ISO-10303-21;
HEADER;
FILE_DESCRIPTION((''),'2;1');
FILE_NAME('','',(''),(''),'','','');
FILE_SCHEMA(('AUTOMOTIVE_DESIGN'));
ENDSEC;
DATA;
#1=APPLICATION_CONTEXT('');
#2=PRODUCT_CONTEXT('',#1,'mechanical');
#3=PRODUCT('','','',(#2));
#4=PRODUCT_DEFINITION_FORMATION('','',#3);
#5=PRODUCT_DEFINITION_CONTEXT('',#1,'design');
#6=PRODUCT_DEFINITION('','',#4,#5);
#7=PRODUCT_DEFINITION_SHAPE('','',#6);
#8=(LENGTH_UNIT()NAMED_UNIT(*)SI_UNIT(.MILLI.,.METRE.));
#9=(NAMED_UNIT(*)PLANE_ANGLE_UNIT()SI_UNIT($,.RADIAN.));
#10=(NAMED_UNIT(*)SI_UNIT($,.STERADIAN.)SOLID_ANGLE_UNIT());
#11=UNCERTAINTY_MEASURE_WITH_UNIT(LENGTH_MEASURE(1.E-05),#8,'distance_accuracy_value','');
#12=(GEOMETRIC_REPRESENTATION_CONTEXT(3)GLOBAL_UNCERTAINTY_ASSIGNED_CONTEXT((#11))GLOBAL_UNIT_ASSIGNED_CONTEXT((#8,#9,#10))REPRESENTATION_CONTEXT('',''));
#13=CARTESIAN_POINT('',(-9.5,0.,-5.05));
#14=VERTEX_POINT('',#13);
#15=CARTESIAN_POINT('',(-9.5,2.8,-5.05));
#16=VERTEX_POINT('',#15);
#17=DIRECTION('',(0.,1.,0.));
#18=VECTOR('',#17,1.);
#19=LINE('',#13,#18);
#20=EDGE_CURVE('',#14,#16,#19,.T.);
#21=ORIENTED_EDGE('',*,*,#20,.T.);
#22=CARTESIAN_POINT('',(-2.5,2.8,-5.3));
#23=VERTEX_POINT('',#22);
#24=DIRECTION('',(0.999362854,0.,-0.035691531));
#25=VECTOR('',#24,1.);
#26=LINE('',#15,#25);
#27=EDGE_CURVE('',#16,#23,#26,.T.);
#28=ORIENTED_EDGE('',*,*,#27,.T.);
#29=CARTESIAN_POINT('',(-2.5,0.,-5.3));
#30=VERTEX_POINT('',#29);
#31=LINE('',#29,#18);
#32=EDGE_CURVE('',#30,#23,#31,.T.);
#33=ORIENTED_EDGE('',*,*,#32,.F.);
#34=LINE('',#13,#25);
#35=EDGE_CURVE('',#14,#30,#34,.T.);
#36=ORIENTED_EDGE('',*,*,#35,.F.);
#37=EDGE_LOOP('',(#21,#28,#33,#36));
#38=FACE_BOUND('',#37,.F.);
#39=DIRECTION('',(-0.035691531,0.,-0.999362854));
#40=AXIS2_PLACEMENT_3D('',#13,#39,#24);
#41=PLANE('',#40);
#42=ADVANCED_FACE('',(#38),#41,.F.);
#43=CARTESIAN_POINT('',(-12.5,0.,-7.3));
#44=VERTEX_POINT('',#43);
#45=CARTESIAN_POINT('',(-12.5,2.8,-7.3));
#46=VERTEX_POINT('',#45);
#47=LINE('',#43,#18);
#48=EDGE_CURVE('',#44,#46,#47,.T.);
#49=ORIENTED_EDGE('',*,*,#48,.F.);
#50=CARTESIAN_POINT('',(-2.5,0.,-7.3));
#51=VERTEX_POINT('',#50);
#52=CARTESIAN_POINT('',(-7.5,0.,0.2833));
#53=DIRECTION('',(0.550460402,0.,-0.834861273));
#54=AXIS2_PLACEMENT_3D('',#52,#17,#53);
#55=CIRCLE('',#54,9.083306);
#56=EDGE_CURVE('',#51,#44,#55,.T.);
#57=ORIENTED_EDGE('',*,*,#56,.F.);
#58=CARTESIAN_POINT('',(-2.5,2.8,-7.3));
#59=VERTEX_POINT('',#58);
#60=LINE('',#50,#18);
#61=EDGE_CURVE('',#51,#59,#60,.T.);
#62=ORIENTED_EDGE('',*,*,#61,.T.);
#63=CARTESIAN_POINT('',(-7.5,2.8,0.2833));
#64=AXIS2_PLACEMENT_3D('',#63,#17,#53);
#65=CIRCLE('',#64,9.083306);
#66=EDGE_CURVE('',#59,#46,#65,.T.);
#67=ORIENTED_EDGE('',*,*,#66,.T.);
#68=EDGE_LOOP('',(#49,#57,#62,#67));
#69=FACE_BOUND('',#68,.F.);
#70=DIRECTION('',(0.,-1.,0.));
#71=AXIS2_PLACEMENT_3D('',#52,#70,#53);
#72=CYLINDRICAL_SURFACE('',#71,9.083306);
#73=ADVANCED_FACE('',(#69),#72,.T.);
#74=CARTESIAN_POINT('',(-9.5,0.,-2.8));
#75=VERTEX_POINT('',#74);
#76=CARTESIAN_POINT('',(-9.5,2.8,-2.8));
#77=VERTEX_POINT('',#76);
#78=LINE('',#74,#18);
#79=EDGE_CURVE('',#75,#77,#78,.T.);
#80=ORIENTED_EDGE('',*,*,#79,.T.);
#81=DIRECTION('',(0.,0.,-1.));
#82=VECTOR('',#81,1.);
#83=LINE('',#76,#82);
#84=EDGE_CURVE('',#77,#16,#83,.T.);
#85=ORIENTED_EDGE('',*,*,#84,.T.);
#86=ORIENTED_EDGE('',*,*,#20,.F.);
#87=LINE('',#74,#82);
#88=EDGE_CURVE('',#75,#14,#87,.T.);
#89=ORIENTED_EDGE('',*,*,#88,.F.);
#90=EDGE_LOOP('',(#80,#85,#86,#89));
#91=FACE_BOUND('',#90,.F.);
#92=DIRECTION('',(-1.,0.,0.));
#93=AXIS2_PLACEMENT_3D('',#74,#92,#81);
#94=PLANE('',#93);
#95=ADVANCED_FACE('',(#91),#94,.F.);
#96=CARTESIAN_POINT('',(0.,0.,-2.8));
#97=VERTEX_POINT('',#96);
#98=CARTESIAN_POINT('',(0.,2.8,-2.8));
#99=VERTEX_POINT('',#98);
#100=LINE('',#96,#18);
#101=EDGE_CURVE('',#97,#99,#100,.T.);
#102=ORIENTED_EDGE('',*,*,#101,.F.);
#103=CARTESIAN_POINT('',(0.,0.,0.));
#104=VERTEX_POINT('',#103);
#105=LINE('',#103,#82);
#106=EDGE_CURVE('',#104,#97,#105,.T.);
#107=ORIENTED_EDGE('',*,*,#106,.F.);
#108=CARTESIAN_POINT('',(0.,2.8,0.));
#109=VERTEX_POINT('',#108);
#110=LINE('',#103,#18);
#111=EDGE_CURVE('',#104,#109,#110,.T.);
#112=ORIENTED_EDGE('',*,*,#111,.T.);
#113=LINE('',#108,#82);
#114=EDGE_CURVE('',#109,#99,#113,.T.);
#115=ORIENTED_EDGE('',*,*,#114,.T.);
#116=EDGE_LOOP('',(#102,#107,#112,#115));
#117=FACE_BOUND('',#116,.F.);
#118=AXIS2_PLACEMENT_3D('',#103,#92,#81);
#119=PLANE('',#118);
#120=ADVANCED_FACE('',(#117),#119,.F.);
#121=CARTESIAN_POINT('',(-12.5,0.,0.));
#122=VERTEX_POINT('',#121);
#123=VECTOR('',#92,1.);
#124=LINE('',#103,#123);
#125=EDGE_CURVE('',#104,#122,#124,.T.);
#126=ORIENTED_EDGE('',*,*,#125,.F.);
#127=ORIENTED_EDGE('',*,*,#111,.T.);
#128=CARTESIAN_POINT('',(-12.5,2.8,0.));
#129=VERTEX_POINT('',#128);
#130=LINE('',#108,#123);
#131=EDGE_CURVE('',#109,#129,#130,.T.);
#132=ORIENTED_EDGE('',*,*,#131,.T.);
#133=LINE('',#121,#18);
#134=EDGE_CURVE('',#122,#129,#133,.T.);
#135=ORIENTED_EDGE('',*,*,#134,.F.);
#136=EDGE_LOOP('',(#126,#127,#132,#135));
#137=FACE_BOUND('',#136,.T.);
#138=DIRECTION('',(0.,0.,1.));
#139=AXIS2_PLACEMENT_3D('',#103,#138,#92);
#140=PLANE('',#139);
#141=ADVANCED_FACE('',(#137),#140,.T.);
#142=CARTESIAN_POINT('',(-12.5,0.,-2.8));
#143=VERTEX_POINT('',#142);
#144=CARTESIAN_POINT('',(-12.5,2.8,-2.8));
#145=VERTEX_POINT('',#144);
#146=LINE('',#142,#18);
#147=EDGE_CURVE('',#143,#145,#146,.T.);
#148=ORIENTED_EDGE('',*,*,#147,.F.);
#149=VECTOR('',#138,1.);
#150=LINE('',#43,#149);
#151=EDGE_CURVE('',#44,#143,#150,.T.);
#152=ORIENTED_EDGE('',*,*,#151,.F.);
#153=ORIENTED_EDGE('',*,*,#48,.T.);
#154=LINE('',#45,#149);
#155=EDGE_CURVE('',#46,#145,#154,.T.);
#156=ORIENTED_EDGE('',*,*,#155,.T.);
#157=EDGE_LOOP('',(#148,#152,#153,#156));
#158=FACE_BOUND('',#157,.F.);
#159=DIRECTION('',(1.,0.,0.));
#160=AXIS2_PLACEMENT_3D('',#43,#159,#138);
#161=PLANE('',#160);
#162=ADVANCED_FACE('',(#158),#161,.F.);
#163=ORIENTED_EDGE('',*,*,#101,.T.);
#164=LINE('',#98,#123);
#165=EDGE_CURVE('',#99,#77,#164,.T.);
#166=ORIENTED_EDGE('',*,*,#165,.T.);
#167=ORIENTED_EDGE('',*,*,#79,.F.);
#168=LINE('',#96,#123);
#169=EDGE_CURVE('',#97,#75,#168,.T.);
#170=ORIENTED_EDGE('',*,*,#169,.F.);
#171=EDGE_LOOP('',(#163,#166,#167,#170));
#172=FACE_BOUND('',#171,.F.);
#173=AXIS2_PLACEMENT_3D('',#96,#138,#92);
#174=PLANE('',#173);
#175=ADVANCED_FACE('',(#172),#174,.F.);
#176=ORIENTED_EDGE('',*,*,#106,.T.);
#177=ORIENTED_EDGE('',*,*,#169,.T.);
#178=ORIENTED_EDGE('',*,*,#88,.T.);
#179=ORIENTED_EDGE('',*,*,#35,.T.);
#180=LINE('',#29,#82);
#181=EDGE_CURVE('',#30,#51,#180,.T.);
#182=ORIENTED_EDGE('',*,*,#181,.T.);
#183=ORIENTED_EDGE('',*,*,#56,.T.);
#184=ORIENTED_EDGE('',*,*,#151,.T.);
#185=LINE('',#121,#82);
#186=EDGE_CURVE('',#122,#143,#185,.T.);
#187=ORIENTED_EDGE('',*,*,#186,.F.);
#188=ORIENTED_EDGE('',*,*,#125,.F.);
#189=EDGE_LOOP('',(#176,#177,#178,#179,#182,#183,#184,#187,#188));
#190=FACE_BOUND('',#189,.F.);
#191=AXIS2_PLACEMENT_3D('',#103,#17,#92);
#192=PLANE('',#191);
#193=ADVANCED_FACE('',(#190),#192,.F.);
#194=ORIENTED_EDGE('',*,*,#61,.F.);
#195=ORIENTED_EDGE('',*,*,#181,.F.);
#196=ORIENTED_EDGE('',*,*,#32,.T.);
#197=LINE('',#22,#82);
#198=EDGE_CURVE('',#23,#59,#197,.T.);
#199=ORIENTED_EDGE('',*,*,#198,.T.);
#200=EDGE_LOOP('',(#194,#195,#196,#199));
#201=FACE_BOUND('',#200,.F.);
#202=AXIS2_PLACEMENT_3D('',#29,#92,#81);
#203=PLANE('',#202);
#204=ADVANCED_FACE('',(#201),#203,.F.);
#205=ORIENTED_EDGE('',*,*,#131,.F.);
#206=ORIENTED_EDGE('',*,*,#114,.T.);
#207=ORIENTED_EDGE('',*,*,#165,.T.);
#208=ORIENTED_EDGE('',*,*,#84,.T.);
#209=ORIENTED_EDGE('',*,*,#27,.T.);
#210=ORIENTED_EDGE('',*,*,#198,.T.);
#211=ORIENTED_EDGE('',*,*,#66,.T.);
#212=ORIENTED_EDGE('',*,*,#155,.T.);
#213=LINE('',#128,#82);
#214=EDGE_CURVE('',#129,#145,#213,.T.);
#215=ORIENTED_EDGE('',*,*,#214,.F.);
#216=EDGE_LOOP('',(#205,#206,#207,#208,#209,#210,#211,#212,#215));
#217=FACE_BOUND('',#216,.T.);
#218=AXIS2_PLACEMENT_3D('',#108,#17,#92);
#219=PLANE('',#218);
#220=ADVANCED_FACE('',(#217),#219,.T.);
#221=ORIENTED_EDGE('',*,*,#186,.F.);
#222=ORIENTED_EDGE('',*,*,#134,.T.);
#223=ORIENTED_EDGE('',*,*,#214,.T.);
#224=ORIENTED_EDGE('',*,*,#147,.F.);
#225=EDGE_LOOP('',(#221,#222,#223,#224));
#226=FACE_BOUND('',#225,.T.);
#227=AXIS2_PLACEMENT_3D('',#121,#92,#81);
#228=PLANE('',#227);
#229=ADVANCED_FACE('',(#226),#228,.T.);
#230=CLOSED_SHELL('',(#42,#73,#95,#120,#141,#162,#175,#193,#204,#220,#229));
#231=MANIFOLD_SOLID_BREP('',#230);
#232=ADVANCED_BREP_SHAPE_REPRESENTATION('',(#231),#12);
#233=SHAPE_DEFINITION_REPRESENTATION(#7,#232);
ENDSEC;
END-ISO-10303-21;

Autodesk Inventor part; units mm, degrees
ref_plane "YZ Plane" through (0, 0, 0) normal (1, 0, 0) x (0, 1, 0)
ref_plane "XZ Plane" through (0, 0, 0) normal (0, 1, 0) x (-1, 0, 0)
ref_plane "XY Plane" through (0, 0, 0) normal (0, 0, 1) x (1, 0, 0)
sketch "Sketch1" plane through (0, 0, 0) normal (0, 1, 0) x (-1, 0, 0)
  line L0 (0, 0) -> (0, -2.8)
  line L1 (0, -2.8) -> (9.5, -2.8)
  line L2 (0, 0) -> (12.5, 0)
  line L3 (12.5, 0) -> (12.5, -2.8)
  line L4 (9.5, -2.8) -> (9.5, -5.05)
  line L5 (9.5, -5.05) -> (2.5, -5.3)
  line L6 (2.5, -5.3) -> (2.5, -7.3)
  line L7 (12.5, -7.3) -> (12.5, -7.3)
  line L8 (12.5, -7.3) -> (12.5, -2.8)
  line L9 (12.5, -2.8) -> (12.5, -2.8)
  arc A0 (2.5, -7.3) -> (12.5, -7.3) centre (7.5, 0.2833) ccw
  line L10 (14.5304, -7.3) -> (10.3082, -7.3) construction
  dimension "d1" = 2.8
  dimension "d2" = 12.5
  dimension "d3" = 9.5
  dimension "d4" = 3
  dimension "d6" = 4.5
  dimension "d8" = 7.5
  dimension "d9" = 2
  dimension "d13" = 2.25
  dimension "d14" = 10
  dimension "d15" = 1.5
extrude "Extrusion1" add sketch "Sketch1" along normal blind 2.8
properties part number "Cuvette_retainer2"
